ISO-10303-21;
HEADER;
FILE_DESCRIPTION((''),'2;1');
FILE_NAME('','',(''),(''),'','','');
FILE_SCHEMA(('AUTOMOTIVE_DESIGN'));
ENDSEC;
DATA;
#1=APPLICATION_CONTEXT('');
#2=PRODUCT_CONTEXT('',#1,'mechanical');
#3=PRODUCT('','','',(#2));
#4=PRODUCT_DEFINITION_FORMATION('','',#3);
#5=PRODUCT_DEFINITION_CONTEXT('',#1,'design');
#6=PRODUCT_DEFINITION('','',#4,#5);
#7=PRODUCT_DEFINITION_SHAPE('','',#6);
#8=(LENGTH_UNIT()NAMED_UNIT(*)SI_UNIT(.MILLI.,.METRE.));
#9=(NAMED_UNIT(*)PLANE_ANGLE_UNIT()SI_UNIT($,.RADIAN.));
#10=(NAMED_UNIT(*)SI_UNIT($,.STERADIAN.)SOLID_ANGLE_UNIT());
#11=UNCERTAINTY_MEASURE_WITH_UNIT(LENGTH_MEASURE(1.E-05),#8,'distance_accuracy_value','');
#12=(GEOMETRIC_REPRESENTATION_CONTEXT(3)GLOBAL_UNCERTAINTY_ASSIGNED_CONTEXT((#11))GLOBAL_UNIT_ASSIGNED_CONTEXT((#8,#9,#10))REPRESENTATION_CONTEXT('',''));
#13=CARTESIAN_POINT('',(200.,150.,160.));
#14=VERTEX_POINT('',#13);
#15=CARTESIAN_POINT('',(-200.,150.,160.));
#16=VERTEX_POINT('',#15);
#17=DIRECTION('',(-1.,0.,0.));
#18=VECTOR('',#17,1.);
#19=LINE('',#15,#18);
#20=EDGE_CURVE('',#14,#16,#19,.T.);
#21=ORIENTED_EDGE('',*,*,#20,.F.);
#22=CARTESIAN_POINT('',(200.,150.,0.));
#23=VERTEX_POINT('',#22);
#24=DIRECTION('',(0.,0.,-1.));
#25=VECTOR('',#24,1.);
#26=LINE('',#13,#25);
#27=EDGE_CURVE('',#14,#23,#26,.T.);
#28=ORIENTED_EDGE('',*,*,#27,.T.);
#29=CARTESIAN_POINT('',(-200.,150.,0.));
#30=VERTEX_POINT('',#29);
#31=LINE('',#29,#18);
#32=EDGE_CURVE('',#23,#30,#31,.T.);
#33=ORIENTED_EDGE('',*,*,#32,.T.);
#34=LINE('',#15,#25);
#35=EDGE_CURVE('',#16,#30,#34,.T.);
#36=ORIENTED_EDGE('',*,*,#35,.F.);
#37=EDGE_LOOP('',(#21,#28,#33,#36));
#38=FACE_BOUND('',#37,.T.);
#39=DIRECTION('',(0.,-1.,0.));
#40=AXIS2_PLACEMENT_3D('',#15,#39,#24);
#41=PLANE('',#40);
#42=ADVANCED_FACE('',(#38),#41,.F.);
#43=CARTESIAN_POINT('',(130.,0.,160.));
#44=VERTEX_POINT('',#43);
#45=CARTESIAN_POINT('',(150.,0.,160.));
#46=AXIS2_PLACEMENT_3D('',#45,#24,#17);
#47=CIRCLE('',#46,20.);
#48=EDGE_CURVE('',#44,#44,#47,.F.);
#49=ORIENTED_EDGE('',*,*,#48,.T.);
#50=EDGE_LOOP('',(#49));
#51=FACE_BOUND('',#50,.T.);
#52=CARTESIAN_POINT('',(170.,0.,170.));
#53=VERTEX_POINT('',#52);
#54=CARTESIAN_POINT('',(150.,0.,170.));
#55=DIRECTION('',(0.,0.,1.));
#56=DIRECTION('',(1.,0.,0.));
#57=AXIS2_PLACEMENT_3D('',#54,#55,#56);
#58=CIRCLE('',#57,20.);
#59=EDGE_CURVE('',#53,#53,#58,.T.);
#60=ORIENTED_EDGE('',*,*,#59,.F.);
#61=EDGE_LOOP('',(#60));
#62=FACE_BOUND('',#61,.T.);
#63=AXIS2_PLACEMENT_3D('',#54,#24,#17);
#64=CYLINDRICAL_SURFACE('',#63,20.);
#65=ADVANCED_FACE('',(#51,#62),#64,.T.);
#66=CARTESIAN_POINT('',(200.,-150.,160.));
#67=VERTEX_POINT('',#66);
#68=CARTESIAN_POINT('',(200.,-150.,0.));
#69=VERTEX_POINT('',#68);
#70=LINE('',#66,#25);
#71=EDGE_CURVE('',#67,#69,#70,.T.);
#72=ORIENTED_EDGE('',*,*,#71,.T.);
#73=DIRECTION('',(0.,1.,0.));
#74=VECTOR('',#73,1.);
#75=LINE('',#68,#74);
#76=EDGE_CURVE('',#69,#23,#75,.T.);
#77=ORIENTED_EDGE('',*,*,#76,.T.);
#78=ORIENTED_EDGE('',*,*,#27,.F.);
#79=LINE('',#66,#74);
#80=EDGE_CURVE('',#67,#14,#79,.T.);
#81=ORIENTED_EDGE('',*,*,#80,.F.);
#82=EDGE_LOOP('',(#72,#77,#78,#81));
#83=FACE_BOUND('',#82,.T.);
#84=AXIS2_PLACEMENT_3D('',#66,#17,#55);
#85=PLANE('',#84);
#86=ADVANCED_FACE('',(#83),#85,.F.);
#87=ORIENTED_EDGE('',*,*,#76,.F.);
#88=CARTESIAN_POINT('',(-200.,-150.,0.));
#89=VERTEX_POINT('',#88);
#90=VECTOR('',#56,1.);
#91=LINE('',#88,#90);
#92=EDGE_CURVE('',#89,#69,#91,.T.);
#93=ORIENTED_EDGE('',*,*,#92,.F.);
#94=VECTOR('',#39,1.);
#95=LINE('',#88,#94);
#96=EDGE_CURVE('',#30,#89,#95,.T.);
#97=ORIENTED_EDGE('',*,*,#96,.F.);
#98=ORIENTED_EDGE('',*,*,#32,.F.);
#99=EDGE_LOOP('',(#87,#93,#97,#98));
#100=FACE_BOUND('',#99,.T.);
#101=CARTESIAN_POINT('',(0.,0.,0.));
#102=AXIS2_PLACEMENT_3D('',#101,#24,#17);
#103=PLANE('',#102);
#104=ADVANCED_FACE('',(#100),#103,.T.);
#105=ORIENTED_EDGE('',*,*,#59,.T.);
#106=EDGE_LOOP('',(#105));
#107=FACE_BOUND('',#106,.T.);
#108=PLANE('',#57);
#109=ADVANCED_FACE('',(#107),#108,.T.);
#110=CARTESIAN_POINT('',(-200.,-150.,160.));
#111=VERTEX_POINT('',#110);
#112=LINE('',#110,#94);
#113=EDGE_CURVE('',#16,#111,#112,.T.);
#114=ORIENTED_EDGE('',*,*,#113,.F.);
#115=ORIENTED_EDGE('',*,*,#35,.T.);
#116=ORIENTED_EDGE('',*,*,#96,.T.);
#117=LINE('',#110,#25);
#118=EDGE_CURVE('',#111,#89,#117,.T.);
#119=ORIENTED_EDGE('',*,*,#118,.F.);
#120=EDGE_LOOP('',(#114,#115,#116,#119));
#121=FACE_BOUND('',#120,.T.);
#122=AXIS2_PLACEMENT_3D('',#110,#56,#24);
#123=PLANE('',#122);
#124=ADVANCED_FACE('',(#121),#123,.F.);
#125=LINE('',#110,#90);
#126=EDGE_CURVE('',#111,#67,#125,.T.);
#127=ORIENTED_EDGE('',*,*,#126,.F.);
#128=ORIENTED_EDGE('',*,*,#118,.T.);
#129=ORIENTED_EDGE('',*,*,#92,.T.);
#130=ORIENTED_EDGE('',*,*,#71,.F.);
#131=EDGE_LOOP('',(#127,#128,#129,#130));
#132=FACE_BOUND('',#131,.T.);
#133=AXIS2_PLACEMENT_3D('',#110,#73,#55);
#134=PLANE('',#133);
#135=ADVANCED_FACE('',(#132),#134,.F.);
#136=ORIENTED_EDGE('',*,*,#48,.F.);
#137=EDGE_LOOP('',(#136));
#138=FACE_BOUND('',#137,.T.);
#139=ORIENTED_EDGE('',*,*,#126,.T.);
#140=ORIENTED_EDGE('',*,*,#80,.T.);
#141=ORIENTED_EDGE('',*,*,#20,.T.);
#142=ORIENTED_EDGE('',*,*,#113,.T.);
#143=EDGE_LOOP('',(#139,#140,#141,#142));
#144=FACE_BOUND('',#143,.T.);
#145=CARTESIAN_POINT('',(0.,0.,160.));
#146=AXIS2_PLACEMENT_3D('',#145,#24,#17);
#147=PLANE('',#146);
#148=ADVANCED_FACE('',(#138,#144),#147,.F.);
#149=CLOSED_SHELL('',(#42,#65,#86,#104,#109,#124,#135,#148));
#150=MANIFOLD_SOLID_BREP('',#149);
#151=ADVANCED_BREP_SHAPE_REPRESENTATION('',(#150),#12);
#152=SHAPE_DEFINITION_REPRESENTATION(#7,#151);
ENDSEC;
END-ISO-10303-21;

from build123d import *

# Parameters (mm, degrees)
SKETCH1_W           = 400
SKETCH1_H           = 300
BOSS_EXTRUDE1_DEPTH = 160
SKETCH2_R           = 20
BOSS_EXTRUDE2_DEPTH = 10


with BuildPart() as part:
    # Sketch1 → Boss-Extrude1 (new body)
    with BuildSketch(Plane.XY):
        Rectangle(SKETCH1_W, SKETCH1_H)
    extrude(amount=BOSS_EXTRUDE1_DEPTH)

    # Sketch2 → Boss-Extrude2 (add)
    with BuildSketch(Plane.XY.offset(160)):
        with Locations((150, 0)):
            Circle(SKETCH2_R)
    extrude(amount=BOSS_EXTRUDE2_DEPTH)


solid = part.part
